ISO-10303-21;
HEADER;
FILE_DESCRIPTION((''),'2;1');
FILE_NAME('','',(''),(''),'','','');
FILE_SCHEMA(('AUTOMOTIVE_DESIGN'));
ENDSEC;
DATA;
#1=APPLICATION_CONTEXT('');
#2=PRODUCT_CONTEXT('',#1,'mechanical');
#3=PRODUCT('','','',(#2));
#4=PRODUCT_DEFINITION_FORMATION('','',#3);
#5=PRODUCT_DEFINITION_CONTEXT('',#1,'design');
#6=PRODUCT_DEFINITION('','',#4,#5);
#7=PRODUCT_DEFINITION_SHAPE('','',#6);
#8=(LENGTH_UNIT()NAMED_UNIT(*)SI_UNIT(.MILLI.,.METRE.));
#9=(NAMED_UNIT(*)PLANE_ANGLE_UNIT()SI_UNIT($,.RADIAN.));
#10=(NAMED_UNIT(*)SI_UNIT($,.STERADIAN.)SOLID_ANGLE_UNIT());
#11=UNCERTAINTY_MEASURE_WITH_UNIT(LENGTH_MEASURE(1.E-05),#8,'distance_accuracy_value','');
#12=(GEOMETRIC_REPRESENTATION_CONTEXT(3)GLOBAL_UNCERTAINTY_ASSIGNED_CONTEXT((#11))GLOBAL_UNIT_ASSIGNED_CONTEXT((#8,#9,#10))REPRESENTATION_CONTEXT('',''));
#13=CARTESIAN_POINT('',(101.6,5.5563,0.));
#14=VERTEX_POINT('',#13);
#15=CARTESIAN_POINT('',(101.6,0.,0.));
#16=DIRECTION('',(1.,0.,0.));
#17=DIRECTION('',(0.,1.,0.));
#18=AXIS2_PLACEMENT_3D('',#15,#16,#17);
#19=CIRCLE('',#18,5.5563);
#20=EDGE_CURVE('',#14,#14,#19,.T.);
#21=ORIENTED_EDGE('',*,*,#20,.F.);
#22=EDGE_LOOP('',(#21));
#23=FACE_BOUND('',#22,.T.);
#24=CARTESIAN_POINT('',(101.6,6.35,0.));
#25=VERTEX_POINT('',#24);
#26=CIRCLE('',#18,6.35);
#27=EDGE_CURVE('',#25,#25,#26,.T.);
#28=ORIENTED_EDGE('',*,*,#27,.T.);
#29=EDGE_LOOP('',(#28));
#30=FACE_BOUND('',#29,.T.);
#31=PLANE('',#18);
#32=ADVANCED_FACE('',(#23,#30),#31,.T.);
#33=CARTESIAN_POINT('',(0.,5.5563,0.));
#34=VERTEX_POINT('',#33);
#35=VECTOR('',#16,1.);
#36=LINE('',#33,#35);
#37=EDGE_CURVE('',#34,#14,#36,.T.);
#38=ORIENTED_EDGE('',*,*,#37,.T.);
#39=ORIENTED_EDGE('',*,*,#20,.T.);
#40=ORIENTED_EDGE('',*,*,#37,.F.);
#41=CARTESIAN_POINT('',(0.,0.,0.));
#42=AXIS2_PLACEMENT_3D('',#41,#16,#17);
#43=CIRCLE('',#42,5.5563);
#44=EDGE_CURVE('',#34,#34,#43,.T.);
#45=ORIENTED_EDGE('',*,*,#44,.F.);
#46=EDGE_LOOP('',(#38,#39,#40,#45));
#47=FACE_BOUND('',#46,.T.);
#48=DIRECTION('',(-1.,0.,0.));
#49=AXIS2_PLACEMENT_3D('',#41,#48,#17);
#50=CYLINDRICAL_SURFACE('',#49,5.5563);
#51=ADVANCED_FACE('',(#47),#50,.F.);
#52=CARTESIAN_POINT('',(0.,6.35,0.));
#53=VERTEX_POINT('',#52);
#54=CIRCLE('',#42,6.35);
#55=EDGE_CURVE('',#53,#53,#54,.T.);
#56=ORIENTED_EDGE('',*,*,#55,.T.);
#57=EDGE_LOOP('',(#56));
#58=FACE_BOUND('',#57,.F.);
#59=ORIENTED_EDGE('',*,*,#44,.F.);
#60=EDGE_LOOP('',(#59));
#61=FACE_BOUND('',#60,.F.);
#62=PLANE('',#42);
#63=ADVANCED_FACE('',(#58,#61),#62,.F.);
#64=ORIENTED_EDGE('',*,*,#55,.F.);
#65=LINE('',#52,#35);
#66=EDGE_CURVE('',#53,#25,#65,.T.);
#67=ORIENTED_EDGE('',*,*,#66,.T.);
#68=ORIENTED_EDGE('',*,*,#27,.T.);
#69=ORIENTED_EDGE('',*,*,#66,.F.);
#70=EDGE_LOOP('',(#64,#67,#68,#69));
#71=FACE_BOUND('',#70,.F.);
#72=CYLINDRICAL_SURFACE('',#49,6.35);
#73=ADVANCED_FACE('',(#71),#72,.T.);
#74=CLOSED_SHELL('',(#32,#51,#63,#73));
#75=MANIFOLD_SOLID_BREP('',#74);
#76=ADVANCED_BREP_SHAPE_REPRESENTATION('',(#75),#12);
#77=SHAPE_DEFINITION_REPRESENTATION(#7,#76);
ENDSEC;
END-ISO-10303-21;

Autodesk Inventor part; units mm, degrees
ref_plane "YZ Plane" through (0, 0, 0) normal (1, 0, 0) x (0, 1, 0)
ref_plane "XZ Plane" through (0, 0, 0) normal (0, 1, 0) x (-1, 0, 0)
ref_plane "XY Plane" through (0, 0, 0) normal (0, 0, 1) x (1, 0, 0)
sketch "Sketch1" plane through (0, 0, 0) normal (1, 0, 0) x (0, 1, 0)
  circle A0 centre (0, 0) radius 6.35
  circle A1 centre (0, 0) radius 5.5563
  dimension "d0" = 12.7
  dimension "d1" = 11.1125
extrude "Extrusion1" add sketch "Sketch1" along normal blind 101.6
properties part number "Caster Wheel Leg" material "Aluminum 6061"
